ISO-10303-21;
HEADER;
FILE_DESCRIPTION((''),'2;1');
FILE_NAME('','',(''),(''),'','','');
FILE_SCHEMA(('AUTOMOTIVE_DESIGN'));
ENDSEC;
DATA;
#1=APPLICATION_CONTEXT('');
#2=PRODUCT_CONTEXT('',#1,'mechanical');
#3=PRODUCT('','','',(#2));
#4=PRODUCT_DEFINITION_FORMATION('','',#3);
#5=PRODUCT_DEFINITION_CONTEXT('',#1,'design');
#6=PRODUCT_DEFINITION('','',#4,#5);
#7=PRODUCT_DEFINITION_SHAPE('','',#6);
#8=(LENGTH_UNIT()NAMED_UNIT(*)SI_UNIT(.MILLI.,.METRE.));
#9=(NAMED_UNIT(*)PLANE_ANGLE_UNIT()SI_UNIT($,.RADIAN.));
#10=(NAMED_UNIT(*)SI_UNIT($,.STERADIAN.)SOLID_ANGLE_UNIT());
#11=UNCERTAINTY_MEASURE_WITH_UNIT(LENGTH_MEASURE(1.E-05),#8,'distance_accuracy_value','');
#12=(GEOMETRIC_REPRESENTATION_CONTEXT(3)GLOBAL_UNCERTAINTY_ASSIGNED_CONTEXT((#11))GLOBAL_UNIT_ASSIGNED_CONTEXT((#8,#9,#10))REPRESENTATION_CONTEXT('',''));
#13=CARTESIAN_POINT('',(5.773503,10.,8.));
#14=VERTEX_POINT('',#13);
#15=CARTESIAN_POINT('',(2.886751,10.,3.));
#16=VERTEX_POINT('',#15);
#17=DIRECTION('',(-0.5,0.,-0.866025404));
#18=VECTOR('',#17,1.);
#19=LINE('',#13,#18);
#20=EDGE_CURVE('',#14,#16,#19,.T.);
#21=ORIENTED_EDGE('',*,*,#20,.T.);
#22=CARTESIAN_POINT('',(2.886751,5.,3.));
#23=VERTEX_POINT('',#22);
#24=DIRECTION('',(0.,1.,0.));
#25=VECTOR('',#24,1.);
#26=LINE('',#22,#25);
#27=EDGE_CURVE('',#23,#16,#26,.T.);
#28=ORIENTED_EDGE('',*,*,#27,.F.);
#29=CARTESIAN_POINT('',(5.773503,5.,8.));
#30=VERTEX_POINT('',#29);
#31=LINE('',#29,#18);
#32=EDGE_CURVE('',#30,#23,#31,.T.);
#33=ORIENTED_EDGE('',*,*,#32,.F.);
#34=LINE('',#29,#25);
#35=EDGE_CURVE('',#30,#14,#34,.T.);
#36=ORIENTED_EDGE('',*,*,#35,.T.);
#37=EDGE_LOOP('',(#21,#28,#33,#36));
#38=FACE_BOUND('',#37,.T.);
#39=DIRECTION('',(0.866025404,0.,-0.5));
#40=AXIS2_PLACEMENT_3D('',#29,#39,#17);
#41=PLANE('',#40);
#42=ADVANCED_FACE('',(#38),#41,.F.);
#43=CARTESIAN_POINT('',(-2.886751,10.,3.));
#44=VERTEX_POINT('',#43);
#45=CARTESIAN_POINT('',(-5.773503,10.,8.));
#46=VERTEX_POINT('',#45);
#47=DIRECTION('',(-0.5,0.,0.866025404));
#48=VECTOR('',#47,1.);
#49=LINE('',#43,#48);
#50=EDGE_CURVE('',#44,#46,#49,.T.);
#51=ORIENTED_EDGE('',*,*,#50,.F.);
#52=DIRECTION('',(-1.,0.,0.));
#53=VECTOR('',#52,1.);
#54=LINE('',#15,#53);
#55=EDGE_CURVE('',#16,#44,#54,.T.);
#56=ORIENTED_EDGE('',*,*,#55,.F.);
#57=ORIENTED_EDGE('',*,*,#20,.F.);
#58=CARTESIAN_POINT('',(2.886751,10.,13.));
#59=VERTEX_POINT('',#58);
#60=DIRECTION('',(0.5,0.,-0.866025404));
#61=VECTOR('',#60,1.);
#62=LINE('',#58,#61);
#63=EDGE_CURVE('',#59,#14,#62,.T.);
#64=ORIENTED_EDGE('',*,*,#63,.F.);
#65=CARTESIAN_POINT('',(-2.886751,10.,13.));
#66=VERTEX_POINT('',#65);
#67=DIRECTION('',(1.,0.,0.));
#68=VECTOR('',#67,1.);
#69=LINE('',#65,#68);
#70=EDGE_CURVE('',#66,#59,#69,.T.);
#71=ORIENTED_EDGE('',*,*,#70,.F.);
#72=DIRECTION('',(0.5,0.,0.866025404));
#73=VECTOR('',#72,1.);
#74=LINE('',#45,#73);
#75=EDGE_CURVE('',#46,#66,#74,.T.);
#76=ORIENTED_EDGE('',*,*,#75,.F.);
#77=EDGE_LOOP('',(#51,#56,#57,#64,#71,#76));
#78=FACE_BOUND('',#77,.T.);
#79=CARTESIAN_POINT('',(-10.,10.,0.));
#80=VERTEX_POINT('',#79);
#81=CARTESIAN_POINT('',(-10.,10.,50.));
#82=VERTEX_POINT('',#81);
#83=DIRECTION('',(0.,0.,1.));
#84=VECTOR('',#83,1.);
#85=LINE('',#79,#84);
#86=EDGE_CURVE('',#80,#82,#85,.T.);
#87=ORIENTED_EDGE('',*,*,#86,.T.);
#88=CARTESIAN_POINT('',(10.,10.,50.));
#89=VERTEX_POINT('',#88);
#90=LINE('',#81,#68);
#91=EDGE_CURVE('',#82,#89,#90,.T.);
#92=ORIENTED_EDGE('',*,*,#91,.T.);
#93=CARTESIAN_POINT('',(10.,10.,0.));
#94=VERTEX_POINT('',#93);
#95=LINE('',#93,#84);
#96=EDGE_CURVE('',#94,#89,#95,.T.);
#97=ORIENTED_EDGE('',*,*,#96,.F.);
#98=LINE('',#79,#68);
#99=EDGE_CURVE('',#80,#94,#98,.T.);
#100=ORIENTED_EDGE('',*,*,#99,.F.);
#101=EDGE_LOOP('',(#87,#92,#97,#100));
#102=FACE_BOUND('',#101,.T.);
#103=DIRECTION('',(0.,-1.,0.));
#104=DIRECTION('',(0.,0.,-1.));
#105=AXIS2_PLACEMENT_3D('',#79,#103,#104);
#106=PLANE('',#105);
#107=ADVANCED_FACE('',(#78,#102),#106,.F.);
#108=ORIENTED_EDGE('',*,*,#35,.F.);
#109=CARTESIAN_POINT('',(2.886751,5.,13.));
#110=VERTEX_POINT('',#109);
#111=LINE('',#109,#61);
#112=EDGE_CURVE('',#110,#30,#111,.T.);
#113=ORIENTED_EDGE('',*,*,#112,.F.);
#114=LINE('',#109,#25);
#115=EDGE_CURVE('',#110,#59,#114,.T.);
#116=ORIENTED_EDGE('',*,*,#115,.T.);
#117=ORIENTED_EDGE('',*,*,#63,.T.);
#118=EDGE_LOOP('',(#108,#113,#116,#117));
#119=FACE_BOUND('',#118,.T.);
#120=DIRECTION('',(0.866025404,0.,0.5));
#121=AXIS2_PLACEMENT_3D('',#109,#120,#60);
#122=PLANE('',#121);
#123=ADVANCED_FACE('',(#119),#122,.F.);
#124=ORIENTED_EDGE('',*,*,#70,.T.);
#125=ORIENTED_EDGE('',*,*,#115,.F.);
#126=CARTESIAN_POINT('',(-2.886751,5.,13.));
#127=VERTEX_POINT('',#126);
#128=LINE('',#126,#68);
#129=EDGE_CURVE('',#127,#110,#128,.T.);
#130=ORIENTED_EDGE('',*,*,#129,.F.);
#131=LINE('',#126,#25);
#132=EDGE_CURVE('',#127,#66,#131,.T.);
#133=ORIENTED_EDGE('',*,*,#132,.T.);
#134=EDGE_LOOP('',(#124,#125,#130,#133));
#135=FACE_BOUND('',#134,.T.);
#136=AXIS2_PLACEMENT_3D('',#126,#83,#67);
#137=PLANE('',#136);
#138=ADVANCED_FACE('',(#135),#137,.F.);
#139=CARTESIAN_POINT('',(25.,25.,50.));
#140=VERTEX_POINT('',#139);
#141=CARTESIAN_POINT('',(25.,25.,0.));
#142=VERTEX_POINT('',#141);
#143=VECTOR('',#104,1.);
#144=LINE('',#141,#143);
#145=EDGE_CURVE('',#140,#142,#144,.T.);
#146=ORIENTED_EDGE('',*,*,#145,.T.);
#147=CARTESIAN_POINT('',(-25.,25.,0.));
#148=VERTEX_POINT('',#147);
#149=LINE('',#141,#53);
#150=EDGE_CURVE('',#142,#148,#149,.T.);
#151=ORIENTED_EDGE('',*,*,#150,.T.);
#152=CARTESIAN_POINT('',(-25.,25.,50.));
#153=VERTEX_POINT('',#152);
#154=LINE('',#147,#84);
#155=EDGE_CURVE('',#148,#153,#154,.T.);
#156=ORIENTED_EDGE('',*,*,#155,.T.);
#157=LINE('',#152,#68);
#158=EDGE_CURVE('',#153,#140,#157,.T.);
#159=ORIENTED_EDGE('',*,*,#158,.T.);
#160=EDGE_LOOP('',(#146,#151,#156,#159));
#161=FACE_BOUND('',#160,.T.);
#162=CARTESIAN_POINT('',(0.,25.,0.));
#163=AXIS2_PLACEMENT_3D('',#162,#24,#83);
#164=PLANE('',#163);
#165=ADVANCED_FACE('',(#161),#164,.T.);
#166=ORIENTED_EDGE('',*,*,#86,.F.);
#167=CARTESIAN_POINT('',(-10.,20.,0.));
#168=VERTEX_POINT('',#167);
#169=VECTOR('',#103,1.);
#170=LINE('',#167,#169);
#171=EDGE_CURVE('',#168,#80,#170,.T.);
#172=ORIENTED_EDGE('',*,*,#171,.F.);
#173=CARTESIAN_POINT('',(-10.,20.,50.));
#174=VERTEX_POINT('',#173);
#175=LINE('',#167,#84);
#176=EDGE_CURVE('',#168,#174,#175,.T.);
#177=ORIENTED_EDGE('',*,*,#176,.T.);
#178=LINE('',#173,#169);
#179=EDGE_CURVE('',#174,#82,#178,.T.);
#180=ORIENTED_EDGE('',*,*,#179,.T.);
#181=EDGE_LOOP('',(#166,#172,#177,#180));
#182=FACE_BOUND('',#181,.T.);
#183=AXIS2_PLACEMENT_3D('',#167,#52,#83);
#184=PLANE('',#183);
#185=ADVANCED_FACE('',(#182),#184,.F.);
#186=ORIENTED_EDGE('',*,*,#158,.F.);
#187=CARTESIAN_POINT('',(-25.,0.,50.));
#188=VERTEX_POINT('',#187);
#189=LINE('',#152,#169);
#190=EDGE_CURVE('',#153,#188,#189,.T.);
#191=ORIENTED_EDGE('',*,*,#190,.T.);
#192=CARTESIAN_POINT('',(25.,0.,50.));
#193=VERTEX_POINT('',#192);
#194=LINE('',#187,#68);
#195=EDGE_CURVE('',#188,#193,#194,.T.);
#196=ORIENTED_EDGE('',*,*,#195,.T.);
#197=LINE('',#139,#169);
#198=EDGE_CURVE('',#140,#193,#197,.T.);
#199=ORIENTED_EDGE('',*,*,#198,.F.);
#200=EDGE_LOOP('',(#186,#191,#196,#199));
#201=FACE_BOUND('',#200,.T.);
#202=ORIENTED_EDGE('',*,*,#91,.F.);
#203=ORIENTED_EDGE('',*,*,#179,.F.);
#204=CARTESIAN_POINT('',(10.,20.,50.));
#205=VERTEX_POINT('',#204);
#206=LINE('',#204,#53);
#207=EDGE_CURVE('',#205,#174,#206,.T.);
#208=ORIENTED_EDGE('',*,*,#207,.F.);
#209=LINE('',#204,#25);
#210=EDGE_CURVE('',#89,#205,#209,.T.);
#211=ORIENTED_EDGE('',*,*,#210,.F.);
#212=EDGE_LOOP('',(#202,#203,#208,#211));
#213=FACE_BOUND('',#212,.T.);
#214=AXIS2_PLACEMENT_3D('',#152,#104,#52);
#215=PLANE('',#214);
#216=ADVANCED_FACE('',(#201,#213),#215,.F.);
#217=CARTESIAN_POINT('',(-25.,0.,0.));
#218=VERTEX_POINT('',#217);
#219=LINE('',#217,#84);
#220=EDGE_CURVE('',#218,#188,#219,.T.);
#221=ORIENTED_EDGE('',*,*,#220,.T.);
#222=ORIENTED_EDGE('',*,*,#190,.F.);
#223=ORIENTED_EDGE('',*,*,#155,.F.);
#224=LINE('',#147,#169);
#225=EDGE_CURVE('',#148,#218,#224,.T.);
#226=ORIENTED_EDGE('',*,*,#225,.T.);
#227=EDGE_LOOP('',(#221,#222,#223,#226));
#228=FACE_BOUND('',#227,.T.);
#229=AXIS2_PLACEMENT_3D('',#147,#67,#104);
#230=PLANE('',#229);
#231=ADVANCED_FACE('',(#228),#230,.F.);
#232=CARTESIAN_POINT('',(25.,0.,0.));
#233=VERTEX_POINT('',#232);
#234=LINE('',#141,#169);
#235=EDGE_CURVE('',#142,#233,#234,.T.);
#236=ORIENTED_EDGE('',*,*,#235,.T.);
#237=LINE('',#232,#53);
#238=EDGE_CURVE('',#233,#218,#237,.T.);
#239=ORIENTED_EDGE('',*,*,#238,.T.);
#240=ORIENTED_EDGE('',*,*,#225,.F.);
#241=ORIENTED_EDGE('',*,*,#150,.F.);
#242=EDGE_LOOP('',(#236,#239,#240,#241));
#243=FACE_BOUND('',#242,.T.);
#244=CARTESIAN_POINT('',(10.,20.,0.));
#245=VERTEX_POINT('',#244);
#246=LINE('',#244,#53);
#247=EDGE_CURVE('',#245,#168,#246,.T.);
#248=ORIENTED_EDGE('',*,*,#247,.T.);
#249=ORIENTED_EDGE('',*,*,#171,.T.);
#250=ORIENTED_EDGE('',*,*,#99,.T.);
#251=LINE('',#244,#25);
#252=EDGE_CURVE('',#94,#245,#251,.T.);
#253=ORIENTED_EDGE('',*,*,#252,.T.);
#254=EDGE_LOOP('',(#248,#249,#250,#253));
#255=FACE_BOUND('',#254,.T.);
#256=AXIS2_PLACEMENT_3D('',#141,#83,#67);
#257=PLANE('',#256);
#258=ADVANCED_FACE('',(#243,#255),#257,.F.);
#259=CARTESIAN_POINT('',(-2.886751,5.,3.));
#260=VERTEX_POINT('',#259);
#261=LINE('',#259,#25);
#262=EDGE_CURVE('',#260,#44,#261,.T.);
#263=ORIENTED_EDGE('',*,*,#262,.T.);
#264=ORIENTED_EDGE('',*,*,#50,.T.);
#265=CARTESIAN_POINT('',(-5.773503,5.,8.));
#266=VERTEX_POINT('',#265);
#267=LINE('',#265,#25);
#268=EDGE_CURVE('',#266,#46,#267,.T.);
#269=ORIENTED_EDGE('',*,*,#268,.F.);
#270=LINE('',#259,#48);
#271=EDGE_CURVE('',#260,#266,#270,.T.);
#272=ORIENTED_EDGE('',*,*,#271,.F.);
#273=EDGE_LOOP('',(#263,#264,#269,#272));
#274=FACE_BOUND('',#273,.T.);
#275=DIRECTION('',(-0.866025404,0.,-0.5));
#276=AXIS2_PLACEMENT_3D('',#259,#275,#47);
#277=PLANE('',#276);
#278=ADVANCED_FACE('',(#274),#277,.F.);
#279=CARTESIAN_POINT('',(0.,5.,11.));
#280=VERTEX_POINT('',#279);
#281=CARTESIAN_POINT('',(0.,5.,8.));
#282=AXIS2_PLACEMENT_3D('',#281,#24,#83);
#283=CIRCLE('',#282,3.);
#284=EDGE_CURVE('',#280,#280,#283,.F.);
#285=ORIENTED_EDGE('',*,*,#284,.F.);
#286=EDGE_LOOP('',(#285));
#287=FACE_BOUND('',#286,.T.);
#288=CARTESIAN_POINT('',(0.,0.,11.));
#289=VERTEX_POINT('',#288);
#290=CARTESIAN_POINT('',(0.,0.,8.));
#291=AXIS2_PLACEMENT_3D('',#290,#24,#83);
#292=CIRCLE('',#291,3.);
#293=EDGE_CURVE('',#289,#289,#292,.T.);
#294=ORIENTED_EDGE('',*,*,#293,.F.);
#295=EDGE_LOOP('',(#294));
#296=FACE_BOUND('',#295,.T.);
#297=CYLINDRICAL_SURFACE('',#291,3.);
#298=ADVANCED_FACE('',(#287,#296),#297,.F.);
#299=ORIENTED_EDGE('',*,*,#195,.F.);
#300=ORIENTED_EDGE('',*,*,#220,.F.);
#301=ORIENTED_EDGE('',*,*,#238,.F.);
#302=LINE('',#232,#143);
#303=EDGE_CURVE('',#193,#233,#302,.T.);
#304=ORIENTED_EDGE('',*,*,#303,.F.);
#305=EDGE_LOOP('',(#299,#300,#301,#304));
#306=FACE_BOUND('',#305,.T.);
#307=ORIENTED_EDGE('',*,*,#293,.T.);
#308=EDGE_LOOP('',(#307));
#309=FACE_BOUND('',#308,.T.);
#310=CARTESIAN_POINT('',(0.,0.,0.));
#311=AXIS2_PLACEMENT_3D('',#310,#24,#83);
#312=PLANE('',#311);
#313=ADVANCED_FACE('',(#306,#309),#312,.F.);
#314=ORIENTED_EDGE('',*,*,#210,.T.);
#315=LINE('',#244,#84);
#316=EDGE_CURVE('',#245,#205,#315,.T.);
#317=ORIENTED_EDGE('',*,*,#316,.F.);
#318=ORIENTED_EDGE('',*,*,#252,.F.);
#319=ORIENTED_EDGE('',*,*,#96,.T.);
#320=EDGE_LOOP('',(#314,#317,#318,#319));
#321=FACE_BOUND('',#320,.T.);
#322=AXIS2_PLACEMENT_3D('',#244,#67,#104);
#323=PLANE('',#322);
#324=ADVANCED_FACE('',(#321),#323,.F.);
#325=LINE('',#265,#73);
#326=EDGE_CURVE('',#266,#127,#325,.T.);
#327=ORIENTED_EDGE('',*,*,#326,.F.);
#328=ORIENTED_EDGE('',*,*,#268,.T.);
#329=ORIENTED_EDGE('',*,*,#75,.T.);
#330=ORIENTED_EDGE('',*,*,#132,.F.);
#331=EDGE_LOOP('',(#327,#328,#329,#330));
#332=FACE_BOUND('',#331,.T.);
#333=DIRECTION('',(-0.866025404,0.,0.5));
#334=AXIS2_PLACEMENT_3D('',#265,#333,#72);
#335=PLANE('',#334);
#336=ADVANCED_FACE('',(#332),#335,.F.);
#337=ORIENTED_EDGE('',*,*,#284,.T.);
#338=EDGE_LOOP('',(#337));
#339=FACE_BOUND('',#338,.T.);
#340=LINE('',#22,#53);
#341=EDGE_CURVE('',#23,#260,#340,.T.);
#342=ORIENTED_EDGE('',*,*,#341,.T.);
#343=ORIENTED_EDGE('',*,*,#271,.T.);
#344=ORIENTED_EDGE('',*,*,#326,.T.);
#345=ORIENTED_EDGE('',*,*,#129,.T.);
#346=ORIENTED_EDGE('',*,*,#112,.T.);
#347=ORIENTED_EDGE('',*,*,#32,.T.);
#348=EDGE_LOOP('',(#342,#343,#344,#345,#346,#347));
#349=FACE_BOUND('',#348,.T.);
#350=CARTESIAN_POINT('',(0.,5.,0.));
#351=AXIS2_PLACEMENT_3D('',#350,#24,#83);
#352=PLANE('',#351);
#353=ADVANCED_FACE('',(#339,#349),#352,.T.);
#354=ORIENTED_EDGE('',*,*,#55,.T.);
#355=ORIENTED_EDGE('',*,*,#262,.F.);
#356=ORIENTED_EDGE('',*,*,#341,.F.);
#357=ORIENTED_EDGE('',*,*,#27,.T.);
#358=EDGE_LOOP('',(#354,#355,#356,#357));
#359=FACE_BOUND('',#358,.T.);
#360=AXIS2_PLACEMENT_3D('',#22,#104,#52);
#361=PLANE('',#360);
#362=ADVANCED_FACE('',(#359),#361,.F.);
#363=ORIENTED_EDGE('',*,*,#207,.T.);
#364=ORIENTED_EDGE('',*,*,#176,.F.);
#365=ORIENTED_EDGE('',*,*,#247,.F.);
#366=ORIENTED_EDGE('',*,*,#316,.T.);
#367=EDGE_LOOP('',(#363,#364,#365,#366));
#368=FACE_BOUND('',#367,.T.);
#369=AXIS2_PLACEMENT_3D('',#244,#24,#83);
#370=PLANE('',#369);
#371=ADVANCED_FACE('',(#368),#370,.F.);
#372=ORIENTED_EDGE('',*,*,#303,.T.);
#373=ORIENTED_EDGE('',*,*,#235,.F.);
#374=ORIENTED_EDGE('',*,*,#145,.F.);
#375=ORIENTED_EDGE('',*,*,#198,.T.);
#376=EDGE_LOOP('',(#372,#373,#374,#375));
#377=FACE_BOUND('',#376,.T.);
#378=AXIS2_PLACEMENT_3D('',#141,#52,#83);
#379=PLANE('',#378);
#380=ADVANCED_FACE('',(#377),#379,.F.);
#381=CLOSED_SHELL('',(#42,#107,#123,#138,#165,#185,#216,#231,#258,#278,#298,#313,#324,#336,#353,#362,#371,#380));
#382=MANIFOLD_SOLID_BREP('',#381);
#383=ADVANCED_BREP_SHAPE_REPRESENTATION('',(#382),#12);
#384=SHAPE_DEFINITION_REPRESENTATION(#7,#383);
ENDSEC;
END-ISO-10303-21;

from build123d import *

# Parameters (mm, degrees)
SKETCH1_W           = 50
SKETCH1_H           = 50
BOSS_EXTRUDE1_DEPTH = 25
SKETCH2_W           = 20
SKETCH2_H           = 10
CUT_EXTRUDE1_DEPTH  = 50
SKETCH3_R           = 3
CUT_EXTRUDE2_DEPTH  = 10
CUT_EXTRUDE3_DEPTH  = 5


with BuildPart() as part:
    # Sketch1 → Boss-Extrude1 (new body)
    with BuildSketch(Plane(origin=(0, 0, 0), x_dir=(1, 0, 0), z_dir=(0, 1, 0))):
        with Locations((0, -25)):
            Rectangle(SKETCH1_W, SKETCH1_H)
    extrude(amount=BOSS_EXTRUDE1_DEPTH)

    # Sketch2 → Cut-Extrude1 (cut)
    with BuildSketch(Plane.XY.offset(50)):
        with Locations((0, 15)):
            Rectangle(SKETCH2_W, SKETCH2_H)
    extrude(amount=-CUT_EXTRUDE1_DEPTH, mode=Mode.SUBTRACT)

    # Sketch3 → Cut-Extrude2 (cut)
    with BuildSketch(Plane(origin=(0, 10, 0), x_dir=(1, 0, 0), z_dir=(0, 1, 0))):
        with Locations(Location((0, -8, 0), (0, 0, 270))):
            Circle(SKETCH3_R)
    extrude(amount=-CUT_EXTRUDE2_DEPTH, mode=Mode.SUBTRACT)

    # Sketch4 → Cut-Extrude3 (cut)
    with BuildSketch(Plane(origin=(0, 10, 0), x_dir=(1, 0, 0), z_dir=(0, 1, 0))):
        Polygon((2.886751346, -3), (-2.886751346, -3), (-5.773502692, -8), (-2.886751346, -13), (2.886751346, -13), (5.773502692, -8), align=None)
    extrude(amount=-CUT_EXTRUDE3_DEPTH, mode=Mode.SUBTRACT)


solid = part.part
